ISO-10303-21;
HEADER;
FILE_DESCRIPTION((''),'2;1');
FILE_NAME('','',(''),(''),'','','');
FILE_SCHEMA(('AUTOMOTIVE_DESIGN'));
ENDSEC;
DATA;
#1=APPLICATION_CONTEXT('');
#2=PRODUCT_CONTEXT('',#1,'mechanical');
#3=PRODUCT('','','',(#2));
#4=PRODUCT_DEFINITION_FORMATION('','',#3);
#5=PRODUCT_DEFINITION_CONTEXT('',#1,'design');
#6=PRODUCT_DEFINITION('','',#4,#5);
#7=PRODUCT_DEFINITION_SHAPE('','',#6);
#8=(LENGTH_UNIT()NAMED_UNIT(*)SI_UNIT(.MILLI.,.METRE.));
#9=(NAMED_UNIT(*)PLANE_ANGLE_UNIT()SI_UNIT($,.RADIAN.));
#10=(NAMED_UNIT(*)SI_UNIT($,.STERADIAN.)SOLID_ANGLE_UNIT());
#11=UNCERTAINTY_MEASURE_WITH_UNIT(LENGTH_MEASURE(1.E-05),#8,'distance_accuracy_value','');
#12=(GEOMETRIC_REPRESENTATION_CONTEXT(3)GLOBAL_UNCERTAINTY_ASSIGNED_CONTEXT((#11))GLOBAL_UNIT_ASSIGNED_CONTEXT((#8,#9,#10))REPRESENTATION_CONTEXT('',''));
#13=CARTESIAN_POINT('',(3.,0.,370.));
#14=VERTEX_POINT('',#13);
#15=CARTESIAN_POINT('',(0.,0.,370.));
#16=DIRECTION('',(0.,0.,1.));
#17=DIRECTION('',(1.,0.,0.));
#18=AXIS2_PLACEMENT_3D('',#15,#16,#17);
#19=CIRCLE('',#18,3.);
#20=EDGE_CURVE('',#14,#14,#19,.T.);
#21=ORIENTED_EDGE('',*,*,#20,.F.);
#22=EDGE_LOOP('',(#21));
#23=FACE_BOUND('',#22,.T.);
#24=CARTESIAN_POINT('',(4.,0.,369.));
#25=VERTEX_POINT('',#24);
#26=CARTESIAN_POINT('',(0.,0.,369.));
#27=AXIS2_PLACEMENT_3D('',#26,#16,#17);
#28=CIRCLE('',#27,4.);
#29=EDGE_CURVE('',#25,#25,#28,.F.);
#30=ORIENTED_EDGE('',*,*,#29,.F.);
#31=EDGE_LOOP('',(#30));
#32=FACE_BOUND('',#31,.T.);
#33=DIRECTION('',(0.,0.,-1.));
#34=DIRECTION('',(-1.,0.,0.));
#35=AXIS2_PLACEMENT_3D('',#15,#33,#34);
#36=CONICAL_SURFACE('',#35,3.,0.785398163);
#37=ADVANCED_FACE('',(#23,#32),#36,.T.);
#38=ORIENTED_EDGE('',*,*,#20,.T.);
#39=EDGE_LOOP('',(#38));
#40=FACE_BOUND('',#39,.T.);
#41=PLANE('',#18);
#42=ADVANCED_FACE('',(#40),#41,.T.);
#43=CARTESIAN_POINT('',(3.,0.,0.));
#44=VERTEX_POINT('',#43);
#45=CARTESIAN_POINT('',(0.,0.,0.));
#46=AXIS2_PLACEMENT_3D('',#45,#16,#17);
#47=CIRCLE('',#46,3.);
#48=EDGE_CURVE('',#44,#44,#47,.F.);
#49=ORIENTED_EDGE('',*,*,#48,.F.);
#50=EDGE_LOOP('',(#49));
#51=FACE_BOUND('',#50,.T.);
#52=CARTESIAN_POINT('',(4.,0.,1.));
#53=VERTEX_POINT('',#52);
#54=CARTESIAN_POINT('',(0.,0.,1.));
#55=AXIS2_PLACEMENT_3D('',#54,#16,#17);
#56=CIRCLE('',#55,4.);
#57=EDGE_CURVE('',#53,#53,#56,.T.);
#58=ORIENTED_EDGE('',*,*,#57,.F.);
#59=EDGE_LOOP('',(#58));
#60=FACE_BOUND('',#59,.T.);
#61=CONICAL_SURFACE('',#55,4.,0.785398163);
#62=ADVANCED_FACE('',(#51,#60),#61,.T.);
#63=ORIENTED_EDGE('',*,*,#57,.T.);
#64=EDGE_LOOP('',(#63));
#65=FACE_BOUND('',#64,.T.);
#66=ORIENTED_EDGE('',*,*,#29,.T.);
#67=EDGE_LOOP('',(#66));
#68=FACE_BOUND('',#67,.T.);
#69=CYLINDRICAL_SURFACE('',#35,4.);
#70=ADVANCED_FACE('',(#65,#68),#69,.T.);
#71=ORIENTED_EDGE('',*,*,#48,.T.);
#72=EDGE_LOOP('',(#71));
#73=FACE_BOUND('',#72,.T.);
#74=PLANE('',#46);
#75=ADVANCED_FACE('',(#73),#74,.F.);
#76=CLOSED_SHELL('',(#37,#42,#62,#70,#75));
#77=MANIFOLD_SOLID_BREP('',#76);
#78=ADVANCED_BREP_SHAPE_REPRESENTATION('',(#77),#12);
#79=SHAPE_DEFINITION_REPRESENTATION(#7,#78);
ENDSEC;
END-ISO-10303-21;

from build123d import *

# Parameters (mm, degrees)
SCHIZZO1_R                   = 4
ESTRUSIONE_ESTRUSIONE1_DEPTH = 370
SMUSSO1_SIZE                 = 1


with BuildPart() as part:
    # Schizzo1 → Estrusione-Estrusione1 (new body)
    with BuildSketch(Plane.XY):
        Circle(SCHIZZO1_R)
    extrude(amount=ESTRUSIONE_ESTRUSIONE1_DEPTH)

    # Smusso1
    smusso1_edges = [part.edges().sort_by_distance(p)[0] for p in [
        (-4, 0, 0),
        (-4, 0, 370),
    ]]
    chamfer(smusso1_edges, length=SMUSSO1_SIZE)


solid = part.part
